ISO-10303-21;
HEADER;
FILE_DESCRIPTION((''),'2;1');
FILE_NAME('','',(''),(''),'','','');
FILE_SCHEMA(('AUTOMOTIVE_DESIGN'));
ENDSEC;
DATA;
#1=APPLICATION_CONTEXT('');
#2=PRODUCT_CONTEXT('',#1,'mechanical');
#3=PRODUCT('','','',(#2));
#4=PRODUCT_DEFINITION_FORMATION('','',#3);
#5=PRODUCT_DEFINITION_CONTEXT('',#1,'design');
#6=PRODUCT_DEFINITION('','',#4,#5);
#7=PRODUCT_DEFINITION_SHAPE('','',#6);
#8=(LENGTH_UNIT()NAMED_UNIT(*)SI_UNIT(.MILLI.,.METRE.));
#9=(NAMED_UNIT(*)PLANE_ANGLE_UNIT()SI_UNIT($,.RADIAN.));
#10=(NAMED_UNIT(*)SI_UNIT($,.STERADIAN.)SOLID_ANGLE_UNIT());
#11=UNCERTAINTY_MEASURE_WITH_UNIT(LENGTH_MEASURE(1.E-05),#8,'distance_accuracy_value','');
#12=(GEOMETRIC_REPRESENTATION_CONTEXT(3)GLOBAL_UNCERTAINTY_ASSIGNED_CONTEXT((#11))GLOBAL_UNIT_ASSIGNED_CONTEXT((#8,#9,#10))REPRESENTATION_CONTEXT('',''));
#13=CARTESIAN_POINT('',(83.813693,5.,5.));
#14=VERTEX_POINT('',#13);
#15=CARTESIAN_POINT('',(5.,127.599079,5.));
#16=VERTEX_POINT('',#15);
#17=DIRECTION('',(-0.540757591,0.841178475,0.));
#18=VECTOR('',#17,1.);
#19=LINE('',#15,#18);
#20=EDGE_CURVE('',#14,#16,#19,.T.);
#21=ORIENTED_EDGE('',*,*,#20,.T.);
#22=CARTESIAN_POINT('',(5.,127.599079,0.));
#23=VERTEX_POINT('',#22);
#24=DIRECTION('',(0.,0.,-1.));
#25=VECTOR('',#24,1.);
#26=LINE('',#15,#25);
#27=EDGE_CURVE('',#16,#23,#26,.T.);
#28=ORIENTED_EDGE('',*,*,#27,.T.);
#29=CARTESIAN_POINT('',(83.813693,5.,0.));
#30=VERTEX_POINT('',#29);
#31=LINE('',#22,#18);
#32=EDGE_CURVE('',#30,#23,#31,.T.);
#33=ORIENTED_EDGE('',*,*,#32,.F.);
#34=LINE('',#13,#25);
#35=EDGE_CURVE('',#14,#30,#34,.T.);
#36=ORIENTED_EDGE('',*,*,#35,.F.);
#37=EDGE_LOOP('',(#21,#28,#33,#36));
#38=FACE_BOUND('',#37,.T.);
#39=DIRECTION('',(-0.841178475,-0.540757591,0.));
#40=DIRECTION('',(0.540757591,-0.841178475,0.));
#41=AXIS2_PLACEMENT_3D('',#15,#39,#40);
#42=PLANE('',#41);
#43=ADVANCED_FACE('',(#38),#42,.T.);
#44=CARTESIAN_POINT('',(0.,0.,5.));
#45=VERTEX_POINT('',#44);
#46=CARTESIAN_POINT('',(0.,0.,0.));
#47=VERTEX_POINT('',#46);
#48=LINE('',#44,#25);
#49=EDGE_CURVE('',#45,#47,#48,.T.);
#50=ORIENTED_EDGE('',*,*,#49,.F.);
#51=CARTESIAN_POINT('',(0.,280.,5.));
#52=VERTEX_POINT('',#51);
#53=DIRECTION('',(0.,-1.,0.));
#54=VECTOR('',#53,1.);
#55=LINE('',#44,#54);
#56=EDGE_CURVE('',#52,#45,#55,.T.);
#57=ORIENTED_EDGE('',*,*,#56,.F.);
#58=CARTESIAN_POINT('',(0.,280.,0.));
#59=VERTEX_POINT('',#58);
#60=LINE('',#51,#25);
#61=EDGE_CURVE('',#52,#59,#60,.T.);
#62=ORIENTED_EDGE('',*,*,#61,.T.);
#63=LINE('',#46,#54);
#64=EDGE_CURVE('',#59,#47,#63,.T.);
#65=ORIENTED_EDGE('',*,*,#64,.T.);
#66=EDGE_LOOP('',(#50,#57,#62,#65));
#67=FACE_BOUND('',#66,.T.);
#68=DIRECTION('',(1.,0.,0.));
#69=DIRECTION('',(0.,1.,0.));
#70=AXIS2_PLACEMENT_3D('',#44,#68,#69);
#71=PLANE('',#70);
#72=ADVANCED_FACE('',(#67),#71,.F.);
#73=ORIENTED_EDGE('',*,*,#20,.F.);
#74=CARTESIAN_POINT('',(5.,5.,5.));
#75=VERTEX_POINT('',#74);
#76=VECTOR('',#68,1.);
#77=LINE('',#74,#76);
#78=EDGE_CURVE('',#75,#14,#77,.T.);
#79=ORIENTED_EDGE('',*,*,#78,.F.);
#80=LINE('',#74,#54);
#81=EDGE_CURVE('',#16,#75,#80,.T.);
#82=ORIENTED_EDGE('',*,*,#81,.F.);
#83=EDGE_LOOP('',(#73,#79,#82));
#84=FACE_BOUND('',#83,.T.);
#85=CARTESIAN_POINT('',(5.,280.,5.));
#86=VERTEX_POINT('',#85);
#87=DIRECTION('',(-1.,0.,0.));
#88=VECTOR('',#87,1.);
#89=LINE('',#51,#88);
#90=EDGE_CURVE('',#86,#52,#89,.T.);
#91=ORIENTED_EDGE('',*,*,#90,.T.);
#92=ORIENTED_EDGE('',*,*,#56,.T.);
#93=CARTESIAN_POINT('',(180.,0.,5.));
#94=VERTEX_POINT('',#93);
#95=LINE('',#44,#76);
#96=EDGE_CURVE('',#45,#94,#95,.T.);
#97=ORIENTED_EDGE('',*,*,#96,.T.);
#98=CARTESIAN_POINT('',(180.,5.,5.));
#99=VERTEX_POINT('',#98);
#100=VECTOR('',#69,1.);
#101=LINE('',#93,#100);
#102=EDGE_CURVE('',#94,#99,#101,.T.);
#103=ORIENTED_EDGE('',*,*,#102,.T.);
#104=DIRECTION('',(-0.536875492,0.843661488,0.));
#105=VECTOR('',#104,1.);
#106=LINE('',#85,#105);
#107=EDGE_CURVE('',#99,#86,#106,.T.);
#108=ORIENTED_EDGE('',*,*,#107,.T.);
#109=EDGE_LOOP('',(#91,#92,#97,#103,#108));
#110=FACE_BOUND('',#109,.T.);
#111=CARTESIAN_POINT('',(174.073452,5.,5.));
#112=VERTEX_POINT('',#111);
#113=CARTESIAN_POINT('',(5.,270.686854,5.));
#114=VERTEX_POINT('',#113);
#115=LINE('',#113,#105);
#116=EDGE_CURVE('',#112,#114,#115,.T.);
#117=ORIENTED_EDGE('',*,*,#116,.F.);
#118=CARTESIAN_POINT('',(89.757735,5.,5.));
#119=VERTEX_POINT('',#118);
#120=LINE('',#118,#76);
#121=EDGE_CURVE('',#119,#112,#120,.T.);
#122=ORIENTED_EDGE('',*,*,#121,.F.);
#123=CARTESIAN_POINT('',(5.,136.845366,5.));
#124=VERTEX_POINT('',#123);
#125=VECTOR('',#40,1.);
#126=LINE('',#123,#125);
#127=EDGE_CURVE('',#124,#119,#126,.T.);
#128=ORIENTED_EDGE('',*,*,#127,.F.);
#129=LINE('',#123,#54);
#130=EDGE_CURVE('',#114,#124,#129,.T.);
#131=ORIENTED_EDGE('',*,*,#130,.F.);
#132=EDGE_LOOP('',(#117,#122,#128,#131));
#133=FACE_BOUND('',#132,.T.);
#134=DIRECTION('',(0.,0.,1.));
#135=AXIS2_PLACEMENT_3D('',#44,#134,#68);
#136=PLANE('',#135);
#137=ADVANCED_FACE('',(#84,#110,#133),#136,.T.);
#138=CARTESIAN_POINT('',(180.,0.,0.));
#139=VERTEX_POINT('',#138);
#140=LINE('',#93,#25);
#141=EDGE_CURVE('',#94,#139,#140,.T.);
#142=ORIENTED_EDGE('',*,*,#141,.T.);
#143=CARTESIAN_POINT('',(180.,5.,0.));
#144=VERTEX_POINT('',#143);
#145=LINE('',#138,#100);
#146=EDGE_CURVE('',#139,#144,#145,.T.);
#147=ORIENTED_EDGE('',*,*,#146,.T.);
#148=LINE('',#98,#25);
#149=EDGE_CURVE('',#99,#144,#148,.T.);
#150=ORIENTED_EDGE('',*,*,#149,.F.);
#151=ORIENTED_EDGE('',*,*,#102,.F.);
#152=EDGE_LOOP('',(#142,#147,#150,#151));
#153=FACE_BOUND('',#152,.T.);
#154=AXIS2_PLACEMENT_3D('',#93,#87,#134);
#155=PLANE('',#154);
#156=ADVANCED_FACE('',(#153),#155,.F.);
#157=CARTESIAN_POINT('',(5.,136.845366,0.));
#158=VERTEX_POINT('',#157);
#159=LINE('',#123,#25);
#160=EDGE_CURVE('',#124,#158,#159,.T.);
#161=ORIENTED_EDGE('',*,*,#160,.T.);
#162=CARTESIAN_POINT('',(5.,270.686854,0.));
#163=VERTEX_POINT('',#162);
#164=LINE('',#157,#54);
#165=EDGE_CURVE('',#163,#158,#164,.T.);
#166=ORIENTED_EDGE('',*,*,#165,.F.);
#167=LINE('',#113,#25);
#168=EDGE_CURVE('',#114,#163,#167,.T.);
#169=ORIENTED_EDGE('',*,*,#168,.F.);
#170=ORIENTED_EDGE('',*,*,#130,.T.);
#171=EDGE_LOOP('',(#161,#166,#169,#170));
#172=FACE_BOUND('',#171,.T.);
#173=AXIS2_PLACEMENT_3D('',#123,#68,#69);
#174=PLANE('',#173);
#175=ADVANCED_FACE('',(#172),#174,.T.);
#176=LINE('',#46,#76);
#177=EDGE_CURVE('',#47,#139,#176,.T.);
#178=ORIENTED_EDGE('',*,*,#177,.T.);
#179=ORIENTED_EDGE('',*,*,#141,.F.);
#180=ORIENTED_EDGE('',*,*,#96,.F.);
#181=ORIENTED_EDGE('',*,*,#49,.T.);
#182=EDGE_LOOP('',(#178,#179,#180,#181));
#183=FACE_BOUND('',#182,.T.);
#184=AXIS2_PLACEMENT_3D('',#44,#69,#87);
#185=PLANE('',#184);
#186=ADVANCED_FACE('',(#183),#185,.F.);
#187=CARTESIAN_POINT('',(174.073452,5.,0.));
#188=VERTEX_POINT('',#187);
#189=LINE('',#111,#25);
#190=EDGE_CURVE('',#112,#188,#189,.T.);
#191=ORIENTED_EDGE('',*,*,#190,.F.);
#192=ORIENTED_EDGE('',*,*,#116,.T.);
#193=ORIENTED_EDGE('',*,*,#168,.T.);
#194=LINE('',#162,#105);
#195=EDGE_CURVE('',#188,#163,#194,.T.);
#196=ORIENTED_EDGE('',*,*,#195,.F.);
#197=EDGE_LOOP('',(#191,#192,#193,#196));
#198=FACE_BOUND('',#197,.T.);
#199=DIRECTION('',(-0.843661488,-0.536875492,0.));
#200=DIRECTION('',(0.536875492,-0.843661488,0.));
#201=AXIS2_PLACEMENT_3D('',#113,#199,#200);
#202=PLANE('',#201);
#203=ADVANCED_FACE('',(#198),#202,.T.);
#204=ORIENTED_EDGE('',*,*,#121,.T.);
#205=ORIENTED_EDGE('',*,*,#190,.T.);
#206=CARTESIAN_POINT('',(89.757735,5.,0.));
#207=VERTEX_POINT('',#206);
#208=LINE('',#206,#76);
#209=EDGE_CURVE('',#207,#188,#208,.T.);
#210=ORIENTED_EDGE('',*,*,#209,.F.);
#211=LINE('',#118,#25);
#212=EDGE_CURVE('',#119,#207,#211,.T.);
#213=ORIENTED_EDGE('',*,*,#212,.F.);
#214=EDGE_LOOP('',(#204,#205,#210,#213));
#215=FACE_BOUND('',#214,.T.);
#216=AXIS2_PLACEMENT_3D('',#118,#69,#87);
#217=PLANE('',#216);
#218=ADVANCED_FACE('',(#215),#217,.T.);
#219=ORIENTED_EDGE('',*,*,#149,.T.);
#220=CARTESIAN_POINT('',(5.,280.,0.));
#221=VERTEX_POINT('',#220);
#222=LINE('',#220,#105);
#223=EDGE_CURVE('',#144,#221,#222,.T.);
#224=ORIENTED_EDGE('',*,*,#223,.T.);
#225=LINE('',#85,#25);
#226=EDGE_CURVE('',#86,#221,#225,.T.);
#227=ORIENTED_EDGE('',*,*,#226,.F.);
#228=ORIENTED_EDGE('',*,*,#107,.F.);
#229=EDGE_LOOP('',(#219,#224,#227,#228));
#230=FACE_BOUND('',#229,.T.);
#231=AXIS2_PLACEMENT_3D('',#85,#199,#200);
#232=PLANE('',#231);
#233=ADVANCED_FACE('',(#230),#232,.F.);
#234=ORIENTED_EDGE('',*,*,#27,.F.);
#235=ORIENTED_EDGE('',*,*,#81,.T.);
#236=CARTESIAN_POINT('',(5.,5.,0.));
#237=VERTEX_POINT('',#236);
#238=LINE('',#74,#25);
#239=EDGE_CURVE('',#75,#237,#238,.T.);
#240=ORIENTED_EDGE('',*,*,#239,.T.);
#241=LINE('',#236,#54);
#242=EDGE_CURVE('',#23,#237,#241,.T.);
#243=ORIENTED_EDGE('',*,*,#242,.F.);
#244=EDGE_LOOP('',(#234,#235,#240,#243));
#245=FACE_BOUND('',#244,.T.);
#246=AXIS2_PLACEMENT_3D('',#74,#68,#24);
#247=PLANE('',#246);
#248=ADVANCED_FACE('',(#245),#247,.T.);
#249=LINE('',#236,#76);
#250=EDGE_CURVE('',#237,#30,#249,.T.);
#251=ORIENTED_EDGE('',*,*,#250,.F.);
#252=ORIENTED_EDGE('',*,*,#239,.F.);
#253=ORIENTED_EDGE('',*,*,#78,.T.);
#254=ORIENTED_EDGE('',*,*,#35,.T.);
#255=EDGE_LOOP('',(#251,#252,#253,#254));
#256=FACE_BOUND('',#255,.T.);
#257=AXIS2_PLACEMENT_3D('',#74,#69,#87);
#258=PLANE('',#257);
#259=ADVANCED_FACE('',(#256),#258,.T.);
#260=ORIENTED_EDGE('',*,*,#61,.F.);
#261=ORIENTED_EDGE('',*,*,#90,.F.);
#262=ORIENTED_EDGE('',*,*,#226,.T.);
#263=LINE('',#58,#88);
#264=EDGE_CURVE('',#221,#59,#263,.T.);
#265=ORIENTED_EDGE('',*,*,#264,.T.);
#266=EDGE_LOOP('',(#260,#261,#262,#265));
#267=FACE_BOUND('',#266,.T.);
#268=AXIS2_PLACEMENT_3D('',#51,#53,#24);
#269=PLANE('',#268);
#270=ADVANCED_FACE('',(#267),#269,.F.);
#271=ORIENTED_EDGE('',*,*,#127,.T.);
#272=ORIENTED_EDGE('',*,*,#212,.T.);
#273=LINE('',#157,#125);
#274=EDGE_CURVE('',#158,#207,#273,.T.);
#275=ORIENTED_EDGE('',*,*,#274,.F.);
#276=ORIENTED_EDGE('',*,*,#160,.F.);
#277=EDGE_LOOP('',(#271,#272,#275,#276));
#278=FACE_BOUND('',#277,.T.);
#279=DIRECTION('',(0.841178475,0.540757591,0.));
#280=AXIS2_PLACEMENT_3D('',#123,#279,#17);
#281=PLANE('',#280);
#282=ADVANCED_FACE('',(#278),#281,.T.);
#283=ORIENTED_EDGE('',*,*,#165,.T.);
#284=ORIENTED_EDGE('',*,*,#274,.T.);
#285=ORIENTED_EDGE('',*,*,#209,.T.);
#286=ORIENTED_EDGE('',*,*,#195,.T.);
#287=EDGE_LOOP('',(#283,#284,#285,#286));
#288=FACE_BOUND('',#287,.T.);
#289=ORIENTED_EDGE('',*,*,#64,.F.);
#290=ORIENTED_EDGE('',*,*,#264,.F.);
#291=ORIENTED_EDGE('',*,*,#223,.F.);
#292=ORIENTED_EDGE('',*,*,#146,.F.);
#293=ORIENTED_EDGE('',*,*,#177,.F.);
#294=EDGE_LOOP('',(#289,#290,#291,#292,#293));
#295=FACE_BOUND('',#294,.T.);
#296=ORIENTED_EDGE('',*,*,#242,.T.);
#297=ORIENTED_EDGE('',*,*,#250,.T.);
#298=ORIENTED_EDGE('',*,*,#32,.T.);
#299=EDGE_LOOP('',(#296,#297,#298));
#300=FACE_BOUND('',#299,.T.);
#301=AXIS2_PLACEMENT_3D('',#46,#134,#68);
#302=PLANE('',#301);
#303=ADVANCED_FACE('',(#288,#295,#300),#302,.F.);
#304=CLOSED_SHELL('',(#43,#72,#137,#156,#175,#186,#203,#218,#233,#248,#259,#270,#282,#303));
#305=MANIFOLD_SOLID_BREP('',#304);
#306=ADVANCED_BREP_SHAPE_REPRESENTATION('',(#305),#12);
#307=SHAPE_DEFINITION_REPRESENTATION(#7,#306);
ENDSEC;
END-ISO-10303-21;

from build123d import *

# Parameters (mm, degrees)
BOSS_EXTRUDE1_DEPTH = 5


with BuildPart() as part:
    # Sketch1 → Boss-Extrude1 (new body)
    with BuildSketch(Plane.XY):
        Polygon((0, 0), (0, 280), (5, 280), (180, 5), (180, 0), align=None)
        Polygon((89.757735174, 5), (174.073452359, 5), (5, 270.686853707), (5, 136.845365827), align=None, mode=Mode.SUBTRACT)
        Polygon((5, 5), (5, 127.599078617), (83.813693397, 5), align=None, mode=Mode.SUBTRACT)
    extrude(amount=BOSS_EXTRUDE1_DEPTH)


solid = part.part
